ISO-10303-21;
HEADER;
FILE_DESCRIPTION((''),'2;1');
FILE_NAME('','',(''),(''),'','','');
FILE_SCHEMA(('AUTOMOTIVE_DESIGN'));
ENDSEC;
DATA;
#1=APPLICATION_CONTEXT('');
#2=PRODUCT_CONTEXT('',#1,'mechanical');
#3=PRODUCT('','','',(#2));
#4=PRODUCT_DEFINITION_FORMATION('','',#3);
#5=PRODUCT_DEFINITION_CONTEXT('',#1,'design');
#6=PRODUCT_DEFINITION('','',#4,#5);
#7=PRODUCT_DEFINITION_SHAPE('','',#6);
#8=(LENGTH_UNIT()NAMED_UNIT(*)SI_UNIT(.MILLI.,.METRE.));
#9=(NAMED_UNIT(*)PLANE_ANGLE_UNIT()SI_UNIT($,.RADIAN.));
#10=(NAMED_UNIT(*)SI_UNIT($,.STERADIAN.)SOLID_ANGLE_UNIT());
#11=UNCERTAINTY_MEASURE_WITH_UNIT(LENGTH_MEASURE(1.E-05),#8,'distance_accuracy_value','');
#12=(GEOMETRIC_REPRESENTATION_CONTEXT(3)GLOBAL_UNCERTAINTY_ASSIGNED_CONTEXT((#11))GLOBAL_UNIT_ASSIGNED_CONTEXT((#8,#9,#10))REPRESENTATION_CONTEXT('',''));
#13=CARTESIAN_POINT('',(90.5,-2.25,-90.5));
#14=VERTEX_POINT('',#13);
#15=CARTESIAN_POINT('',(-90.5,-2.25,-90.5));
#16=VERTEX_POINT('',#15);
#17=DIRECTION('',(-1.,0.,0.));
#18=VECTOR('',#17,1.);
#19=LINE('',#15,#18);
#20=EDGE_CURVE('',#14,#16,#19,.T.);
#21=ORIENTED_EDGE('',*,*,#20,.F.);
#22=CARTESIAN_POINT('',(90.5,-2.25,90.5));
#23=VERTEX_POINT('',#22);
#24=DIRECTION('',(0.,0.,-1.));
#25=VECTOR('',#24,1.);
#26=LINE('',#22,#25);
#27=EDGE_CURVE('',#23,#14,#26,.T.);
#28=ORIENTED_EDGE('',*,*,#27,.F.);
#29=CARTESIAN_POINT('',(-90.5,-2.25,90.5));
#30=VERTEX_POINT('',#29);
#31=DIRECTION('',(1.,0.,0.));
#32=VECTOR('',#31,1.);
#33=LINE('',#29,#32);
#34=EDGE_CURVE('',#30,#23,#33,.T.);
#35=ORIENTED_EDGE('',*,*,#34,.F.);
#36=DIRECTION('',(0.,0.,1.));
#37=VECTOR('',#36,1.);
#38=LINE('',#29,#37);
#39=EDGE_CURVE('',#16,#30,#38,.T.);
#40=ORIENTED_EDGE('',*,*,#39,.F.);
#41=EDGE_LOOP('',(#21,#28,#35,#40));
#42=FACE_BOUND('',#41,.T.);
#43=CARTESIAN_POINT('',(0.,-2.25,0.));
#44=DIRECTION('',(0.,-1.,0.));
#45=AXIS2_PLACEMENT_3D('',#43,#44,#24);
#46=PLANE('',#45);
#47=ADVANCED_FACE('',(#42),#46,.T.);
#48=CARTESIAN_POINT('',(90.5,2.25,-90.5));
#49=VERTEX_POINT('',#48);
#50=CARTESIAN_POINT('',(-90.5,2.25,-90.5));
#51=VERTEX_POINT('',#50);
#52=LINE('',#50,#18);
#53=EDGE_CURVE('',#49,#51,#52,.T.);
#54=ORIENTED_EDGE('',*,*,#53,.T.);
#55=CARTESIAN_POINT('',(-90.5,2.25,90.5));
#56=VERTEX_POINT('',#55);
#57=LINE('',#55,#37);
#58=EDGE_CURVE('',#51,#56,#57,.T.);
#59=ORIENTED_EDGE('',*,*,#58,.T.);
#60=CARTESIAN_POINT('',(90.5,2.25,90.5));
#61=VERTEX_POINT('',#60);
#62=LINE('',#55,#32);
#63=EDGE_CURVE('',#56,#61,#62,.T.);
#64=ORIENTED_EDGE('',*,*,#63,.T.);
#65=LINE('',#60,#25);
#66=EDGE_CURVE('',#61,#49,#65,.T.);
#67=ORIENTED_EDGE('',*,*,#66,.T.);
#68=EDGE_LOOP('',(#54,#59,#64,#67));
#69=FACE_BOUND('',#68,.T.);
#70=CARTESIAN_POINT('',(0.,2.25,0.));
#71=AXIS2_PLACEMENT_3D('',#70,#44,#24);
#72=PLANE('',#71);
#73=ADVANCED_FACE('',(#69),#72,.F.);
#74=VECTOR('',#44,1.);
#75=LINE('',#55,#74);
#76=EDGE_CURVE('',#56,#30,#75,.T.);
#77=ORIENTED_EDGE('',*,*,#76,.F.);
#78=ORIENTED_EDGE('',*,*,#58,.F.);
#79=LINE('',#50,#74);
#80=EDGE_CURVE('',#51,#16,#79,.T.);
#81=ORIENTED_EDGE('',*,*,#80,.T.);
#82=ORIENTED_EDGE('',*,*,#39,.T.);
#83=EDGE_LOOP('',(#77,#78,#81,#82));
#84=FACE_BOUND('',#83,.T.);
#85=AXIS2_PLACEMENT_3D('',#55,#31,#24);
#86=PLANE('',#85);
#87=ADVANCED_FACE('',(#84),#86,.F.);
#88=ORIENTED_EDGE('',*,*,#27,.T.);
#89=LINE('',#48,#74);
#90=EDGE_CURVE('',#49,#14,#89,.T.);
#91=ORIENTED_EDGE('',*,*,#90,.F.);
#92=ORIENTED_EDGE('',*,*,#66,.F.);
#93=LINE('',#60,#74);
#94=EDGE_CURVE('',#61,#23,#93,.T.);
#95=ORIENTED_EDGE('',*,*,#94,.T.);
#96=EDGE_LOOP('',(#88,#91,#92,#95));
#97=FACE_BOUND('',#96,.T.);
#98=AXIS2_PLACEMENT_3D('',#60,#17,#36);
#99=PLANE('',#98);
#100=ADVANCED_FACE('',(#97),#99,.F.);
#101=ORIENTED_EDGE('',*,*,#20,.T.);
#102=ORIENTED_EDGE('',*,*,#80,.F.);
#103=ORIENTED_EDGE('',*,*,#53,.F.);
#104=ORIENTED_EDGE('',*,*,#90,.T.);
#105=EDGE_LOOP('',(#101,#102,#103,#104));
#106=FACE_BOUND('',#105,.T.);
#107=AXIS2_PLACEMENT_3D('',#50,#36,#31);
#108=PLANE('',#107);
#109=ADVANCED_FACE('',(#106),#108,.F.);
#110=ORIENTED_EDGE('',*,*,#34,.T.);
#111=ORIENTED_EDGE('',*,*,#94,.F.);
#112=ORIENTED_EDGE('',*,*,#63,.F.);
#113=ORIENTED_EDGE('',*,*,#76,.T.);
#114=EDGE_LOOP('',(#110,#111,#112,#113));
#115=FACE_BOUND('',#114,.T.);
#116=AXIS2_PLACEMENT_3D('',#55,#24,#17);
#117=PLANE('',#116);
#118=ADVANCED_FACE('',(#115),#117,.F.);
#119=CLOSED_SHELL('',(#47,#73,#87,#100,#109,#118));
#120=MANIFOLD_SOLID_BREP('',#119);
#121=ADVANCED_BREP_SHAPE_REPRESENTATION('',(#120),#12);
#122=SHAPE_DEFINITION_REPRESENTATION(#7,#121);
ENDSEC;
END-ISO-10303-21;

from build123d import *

# Parameters (mm, degrees)
SKETCH1_W           = 181
SKETCH1_H           = 181
BOSS_EXTRUDE1_DEPTH = 2.25


with BuildPart() as part:
    # Sketch1 → Boss-Extrude1 (new body, symmetric)
    with BuildSketch(Plane(origin=(0, 0, 0), x_dir=(1, 0, 0), z_dir=(0, 1, 0))):
        Rectangle(SKETCH1_W, SKETCH1_H)
    extrude(amount=BOSS_EXTRUDE1_DEPTH, both=True)


solid = part.part
